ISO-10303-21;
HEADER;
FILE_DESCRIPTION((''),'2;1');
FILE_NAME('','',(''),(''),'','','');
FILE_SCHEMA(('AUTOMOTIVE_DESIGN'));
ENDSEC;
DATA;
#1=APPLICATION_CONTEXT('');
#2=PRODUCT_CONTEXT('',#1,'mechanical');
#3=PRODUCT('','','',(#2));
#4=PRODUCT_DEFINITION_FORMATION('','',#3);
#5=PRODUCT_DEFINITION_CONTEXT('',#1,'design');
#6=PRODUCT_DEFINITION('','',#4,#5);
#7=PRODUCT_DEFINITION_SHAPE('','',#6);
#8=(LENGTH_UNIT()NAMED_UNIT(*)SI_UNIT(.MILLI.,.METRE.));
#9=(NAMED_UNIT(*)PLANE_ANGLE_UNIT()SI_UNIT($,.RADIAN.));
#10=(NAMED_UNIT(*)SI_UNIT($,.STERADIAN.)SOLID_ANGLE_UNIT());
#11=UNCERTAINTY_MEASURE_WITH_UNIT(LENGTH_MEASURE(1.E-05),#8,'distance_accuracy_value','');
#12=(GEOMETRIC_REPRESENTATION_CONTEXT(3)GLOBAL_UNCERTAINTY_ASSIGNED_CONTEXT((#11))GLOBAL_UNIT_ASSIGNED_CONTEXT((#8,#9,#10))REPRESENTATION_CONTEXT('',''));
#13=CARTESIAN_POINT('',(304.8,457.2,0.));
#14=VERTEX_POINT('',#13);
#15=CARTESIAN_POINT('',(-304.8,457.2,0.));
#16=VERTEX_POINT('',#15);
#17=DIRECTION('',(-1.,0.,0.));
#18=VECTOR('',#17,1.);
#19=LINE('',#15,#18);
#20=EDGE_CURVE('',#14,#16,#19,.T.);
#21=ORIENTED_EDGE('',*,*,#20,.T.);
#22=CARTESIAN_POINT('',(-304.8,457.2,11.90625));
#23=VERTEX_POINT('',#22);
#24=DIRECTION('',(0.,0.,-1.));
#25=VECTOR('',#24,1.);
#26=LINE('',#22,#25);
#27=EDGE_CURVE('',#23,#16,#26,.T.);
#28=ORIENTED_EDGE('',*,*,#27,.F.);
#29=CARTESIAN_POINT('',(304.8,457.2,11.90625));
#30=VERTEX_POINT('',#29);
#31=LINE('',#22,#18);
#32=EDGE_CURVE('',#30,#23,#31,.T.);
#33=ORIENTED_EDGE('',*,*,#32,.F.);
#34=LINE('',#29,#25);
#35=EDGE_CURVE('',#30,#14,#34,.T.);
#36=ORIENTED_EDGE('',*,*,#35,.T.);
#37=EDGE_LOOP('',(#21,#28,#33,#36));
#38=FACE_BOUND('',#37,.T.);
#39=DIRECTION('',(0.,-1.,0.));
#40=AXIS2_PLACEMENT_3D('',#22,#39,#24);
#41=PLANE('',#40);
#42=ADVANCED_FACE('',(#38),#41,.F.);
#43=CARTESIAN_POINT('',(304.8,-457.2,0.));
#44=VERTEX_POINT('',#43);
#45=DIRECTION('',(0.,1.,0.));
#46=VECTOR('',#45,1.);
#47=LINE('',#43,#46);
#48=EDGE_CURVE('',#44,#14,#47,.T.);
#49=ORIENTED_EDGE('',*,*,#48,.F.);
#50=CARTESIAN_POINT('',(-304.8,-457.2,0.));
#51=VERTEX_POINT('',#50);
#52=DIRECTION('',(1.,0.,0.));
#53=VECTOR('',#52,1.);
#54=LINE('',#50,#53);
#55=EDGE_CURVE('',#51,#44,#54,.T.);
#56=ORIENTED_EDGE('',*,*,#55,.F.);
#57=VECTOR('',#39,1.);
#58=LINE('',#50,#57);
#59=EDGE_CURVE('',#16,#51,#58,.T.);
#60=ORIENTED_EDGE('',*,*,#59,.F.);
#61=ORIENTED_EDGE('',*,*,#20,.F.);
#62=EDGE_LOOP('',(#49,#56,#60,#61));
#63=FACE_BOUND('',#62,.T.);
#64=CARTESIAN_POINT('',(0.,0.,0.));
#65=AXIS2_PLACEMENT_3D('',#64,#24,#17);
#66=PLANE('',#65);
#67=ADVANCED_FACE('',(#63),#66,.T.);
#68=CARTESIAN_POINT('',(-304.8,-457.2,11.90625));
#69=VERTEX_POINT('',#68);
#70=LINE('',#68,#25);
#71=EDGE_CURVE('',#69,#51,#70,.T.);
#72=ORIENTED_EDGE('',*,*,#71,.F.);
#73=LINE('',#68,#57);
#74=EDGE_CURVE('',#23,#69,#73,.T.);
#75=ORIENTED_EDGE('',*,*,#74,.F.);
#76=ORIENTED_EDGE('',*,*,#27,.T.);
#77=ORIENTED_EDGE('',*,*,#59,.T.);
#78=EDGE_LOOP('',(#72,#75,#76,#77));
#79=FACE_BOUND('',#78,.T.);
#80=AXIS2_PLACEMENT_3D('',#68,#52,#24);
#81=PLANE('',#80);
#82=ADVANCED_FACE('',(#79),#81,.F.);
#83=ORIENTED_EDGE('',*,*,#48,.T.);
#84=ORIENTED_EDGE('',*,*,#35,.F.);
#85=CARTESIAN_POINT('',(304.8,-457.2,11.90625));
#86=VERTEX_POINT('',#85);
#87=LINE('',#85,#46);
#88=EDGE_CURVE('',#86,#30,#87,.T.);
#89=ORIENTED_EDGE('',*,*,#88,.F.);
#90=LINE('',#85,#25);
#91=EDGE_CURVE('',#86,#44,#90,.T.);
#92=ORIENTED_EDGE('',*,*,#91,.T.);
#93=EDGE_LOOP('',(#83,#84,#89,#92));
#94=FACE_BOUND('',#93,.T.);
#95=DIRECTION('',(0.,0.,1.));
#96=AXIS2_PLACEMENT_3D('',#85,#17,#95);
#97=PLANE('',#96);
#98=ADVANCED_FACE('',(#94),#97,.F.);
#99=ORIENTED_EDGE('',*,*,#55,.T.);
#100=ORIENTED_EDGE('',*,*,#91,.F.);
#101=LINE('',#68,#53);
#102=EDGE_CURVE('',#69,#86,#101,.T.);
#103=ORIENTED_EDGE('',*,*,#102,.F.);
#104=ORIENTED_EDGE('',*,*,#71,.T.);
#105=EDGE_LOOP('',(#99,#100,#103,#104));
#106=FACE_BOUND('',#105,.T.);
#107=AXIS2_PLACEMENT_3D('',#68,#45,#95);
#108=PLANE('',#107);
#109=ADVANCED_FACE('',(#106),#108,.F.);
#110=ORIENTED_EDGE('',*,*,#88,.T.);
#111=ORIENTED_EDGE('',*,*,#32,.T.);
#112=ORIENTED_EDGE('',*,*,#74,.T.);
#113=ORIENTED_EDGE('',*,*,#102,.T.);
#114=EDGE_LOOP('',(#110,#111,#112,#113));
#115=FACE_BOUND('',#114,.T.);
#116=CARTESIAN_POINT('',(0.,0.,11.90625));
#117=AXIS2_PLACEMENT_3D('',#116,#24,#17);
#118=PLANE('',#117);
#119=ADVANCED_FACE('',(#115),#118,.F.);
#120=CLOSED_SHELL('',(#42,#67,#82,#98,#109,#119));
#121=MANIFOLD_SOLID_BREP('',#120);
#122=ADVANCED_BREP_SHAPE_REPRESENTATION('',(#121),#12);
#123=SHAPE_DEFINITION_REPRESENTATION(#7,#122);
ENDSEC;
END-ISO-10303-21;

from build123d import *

# Parameters (mm, degrees)
SKETCH1_W           = 609.6
SKETCH1_H           = 914.4
BOSS_EXTRUDE1_DEPTH = 11.90625


with BuildPart() as part:
    # Sketch1 → Boss-Extrude1 (new body)
    with BuildSketch(Plane.XY):
        Rectangle(SKETCH1_W, SKETCH1_H)
    extrude(amount=BOSS_EXTRUDE1_DEPTH)


solid = part.part
